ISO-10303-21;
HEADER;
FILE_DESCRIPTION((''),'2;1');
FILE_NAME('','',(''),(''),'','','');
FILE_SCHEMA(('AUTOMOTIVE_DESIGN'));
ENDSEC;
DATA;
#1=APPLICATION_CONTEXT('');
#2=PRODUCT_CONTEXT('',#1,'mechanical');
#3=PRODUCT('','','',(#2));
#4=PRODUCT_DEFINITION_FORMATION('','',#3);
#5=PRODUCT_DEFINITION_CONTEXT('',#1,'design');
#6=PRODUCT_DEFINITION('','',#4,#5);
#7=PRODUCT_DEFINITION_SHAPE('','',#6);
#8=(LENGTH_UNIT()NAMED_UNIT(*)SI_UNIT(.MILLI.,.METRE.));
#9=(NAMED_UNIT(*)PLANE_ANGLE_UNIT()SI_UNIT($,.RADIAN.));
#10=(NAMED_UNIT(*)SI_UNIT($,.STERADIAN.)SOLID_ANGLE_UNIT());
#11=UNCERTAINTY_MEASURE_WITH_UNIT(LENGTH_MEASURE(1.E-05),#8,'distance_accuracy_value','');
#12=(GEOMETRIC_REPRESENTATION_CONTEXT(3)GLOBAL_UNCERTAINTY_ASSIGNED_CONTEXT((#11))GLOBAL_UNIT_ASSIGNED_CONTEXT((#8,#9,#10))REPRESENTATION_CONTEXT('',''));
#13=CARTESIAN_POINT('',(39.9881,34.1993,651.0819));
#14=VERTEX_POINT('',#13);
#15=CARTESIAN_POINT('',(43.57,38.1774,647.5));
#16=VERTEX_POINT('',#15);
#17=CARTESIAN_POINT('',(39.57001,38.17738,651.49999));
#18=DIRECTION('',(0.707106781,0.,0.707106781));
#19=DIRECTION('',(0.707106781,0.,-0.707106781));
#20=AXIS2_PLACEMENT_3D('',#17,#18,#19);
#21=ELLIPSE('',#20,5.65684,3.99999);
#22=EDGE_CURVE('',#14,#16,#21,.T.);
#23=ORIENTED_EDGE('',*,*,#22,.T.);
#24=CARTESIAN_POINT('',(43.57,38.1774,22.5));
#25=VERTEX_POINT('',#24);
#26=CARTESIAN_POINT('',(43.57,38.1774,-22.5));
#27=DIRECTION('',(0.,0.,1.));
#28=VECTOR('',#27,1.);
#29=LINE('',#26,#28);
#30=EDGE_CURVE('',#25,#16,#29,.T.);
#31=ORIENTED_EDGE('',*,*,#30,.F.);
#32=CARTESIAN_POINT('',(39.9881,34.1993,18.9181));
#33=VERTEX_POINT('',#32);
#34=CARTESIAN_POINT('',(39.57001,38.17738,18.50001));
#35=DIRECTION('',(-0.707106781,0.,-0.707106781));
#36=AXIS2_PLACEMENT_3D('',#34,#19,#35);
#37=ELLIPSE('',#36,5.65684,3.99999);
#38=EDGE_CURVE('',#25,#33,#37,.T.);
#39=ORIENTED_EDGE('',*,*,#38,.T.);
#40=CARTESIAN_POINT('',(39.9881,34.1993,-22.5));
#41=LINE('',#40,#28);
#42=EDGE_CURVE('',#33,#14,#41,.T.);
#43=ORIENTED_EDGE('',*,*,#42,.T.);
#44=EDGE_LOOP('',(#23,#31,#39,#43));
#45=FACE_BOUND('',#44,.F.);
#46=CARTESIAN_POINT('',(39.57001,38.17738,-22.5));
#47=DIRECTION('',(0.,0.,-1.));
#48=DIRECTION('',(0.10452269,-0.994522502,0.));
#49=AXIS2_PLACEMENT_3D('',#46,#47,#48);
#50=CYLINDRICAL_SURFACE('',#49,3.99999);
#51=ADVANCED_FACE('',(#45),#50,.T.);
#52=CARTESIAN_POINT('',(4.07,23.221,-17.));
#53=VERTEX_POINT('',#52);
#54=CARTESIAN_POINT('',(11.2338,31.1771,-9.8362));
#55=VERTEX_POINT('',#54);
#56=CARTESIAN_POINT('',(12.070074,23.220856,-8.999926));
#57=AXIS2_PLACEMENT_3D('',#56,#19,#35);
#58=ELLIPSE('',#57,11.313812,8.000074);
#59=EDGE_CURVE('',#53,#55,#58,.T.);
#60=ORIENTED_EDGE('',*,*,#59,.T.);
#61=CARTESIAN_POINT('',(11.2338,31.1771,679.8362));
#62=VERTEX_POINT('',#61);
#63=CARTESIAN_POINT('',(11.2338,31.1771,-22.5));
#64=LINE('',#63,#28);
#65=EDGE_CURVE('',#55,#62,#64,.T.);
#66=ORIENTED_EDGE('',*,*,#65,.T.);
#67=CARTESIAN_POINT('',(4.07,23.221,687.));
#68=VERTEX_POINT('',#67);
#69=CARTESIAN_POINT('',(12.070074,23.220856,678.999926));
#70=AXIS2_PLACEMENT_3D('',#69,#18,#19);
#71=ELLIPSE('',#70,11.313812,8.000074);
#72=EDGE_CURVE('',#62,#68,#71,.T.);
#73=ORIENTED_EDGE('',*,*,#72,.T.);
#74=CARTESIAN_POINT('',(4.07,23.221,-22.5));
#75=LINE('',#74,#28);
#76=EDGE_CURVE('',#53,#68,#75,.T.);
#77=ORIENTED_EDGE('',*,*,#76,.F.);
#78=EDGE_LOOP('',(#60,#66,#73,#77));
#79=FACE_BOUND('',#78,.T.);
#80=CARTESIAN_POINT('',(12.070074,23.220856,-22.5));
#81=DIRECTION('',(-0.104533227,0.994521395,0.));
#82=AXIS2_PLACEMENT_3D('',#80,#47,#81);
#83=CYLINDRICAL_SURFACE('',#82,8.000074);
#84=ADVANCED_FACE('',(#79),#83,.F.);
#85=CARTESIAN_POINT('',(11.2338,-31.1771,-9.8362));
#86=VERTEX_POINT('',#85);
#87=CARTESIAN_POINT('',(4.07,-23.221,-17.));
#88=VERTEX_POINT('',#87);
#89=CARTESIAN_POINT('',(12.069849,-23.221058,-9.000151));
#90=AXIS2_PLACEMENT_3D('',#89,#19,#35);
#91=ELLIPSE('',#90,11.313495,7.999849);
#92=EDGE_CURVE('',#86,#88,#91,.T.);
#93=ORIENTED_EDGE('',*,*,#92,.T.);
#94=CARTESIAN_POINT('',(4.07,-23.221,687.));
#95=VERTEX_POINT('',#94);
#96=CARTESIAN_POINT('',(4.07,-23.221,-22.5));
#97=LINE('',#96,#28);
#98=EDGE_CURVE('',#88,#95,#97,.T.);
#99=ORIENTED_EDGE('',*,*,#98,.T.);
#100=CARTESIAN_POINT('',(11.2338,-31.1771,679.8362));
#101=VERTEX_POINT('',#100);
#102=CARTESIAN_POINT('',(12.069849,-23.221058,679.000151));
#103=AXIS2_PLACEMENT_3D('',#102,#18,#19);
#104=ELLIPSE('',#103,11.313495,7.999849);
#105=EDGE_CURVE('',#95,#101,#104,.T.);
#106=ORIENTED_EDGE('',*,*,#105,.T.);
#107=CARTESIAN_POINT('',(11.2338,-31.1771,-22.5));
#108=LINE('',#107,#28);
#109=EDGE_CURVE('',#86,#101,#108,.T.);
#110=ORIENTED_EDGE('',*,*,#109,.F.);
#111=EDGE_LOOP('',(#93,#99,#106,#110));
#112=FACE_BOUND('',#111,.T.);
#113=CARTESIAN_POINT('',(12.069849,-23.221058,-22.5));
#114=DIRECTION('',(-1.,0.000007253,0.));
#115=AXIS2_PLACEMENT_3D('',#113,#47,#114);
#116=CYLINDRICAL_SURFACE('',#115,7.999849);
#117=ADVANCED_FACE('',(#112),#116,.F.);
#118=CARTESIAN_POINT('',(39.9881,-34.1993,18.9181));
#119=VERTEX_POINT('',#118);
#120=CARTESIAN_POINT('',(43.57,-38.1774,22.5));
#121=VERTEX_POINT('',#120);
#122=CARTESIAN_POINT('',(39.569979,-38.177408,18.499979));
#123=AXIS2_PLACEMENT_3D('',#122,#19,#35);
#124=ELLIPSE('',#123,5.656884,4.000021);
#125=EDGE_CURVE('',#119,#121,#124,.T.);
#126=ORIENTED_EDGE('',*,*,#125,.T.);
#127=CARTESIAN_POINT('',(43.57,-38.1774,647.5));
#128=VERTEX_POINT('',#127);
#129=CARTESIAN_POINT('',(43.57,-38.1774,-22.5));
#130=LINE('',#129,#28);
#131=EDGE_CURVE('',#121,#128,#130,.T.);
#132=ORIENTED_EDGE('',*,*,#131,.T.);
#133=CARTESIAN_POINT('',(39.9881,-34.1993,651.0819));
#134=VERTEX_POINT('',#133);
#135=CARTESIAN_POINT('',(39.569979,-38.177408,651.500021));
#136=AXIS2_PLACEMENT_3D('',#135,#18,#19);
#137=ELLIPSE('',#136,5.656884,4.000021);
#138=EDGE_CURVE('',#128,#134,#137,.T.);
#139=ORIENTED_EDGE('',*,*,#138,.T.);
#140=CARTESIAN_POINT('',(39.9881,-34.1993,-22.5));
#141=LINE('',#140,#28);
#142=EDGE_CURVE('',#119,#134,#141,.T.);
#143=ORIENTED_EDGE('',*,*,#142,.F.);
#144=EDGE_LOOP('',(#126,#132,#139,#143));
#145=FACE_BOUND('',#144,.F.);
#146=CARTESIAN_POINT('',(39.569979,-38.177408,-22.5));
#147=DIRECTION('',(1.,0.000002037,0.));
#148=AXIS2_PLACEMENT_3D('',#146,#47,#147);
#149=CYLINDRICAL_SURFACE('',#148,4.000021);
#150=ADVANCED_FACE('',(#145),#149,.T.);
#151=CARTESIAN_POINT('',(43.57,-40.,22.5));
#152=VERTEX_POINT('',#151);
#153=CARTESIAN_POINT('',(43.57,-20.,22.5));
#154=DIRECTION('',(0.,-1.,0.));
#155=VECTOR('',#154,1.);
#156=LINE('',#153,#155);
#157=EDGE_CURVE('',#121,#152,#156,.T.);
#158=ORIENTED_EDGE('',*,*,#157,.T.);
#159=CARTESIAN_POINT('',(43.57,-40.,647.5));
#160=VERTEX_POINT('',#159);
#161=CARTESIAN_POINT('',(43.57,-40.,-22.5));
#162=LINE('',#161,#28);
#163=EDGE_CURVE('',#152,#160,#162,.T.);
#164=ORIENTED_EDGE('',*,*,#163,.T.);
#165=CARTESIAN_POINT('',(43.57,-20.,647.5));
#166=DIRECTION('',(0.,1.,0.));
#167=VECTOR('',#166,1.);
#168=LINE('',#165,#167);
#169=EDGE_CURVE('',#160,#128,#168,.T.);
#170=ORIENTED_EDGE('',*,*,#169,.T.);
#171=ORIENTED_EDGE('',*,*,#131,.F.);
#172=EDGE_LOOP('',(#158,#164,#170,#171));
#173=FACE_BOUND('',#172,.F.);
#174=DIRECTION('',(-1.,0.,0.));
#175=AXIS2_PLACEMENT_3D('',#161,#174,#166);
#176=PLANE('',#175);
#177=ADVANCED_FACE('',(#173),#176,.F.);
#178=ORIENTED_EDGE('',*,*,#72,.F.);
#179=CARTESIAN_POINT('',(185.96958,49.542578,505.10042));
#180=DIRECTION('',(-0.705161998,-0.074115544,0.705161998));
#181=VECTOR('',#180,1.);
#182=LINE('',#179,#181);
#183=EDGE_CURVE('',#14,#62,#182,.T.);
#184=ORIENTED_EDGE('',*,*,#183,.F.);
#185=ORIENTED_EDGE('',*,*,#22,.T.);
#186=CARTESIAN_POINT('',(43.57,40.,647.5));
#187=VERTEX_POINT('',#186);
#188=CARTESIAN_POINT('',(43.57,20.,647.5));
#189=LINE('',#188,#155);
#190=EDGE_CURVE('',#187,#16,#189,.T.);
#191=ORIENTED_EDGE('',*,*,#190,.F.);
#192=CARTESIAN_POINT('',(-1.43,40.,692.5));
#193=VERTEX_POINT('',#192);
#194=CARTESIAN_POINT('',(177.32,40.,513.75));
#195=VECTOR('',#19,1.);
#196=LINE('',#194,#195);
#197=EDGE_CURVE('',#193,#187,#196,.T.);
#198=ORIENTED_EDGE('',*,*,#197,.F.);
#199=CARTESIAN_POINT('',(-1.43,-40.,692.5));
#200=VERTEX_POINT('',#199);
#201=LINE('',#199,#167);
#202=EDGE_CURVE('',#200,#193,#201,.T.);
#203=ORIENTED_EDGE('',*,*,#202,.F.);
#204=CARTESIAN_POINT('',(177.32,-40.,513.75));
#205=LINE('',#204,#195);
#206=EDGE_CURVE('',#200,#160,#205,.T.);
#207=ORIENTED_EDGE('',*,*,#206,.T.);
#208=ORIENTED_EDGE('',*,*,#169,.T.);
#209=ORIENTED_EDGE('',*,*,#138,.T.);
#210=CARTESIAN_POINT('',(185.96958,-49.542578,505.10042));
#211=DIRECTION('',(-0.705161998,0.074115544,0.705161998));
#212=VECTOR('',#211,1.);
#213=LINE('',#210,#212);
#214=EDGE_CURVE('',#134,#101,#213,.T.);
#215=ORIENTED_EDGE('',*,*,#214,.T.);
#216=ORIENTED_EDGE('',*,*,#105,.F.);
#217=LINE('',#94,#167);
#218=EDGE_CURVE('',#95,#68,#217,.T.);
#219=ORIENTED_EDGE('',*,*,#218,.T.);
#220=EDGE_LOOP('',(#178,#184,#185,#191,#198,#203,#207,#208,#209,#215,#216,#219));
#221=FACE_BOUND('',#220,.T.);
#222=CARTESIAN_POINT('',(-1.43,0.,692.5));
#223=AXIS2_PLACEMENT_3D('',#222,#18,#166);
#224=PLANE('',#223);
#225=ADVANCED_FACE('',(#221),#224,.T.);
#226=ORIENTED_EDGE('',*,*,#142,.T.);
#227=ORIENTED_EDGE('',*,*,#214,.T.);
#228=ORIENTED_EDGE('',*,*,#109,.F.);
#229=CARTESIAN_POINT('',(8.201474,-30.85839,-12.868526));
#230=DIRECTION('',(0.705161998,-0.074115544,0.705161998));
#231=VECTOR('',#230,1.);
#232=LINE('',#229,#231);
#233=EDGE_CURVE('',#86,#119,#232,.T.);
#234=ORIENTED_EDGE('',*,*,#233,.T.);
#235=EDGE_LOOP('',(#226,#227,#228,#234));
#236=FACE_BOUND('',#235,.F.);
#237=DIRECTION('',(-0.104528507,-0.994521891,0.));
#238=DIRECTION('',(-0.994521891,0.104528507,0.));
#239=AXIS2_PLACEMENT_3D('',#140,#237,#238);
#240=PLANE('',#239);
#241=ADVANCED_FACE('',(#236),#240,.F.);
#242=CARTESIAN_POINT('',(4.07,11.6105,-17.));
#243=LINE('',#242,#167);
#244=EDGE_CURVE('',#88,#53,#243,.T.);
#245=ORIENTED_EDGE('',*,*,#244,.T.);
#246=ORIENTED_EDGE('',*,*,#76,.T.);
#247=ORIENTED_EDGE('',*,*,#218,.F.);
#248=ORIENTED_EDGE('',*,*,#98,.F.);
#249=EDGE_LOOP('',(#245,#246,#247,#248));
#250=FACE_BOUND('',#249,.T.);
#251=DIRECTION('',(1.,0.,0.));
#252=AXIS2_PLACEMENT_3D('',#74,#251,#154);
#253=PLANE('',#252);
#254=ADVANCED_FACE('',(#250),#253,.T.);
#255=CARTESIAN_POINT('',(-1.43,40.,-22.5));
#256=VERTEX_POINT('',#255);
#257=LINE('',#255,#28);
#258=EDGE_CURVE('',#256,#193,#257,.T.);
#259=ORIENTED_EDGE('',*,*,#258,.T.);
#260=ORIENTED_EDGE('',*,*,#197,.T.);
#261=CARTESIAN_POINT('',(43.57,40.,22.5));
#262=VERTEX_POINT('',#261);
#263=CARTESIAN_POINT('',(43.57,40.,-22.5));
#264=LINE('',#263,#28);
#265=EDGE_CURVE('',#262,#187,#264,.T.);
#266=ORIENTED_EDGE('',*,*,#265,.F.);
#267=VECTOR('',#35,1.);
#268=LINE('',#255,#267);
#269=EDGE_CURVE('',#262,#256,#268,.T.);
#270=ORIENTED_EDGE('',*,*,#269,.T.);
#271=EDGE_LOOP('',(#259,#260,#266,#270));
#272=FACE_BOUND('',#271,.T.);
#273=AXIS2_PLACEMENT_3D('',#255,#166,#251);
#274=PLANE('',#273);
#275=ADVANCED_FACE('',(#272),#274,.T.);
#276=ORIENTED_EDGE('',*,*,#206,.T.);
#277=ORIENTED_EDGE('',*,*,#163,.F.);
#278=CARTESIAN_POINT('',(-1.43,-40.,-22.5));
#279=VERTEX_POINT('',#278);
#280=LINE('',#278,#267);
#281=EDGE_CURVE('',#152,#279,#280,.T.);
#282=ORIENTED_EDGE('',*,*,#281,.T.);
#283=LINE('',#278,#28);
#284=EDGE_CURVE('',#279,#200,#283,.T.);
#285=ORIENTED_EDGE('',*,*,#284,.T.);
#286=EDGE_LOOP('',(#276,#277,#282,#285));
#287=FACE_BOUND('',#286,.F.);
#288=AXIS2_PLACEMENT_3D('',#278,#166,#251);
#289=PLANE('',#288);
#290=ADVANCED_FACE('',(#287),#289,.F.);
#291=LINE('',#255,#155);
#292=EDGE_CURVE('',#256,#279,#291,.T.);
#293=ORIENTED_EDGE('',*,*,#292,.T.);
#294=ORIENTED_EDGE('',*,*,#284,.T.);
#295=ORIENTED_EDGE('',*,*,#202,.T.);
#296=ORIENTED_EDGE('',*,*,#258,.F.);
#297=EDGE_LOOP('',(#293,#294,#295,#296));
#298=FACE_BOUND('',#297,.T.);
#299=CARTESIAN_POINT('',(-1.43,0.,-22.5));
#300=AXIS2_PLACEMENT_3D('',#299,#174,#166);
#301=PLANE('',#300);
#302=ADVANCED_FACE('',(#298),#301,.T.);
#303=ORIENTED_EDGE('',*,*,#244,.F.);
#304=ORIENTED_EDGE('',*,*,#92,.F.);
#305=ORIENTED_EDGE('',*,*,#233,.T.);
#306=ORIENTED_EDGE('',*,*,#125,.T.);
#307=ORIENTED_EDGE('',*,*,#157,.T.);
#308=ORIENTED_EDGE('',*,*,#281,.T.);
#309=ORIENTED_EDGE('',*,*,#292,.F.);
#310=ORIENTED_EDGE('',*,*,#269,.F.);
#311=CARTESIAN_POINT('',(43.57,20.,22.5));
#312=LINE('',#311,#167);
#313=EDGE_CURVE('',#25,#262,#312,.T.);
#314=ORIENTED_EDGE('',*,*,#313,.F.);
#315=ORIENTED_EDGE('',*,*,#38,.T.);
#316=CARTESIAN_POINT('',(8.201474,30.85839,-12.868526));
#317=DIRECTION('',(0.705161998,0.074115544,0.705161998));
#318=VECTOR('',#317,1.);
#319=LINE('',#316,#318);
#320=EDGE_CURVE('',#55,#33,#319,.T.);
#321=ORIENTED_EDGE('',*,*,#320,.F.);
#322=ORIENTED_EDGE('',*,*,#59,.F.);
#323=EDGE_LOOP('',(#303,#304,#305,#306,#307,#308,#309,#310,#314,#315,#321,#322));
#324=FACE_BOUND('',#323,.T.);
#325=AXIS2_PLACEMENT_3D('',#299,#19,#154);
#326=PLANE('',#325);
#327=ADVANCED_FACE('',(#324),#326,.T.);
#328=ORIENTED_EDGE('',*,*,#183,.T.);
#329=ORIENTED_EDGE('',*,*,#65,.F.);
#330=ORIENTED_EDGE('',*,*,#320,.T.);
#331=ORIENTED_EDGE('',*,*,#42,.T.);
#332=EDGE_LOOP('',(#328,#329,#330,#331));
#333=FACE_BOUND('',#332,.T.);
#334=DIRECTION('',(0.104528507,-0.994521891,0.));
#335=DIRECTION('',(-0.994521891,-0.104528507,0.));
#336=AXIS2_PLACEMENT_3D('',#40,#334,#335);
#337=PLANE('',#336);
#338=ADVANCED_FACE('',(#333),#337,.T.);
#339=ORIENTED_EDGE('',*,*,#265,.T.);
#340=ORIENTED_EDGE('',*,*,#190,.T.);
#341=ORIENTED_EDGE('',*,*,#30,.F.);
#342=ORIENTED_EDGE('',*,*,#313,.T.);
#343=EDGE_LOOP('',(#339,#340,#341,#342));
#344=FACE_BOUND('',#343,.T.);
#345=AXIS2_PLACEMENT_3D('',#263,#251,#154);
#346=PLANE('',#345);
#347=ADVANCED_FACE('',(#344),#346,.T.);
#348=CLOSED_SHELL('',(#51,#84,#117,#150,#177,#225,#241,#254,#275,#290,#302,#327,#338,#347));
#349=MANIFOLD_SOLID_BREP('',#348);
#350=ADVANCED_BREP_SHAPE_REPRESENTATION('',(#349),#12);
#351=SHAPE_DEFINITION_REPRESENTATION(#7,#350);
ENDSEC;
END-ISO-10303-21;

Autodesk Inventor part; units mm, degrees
ref_plane "Начальная плоскость" through (0, 0, -22.5) normal (0, 0, 1) x (1, 0, 0)
ref_plane "Конечная плоскость" through (0, 0, 692.5) normal (0, 0, 1) x (1, 0, 0)
sketch "Эскиз" plane through (0, 0, 0) normal (0, 0, 1) x (1, 0, 0)
  line L0 (-1.43, 0) -> (-1.43, 40)
  line L1 (-1.43, 40) -> (43.57, 40)
  line L2 (43.57, 40) -> (43.57, 38.1774)
  line L3 (39.9881, 34.1993) -> (11.2338, 31.1771)
  line L4 (4.07, 23.221) -> (4.07, 0)
  line L5 (4.07, 0) -> (-1.43, 0) construction
  line L6 (23.82, 40) -> (23.82, 32.5) construction
  line L7 (43.57, 34.5758) -> (43.57, 32.5) construction
  line L8 (43.57, 32.5) -> (23.82, 32.5) construction
  line L9 (0, 15) -> (0, -27) construction
  line L10 (-5.539, 0) -> (16.0067, 0) construction
  line L11 (-1.43, 0) -> (-1.43, -40)
  line L12 (-1.43, -40) -> (43.57, -40)
  line L13 (43.57, -40) -> (43.57, -38.1774)
  line L14 (39.9881, -34.1993) -> (11.2338, -31.1771)
  line L15 (4.07, -23.221) -> (4.07, 0)
  arc A0 (11.2338, 31.1771) -> (4.07, 23.221) centre (12.07, 23.221) ccw
  arc A1 (4.07, -23.221) -> (11.2338, -31.1771) centre (12.07, -23.221) ccw
  arc A2 (39.9881, 34.1993) -> (43.57, 38.1774) centre (39.57, 38.1774) ccw
  arc A3 (43.57, -38.1774) -> (39.9881, -34.1993) centre (39.57, -38.1774) ccw
  line L16 (0, 56) -> (0, -56) construction
  line L17 (-15.5135, 0) -> (54.308, 0) construction
  point P0 (4.07, 30.4242)
  point P1 (43.57, -34.5758)
  point P2 (4.07, -30.4242)
  point P3 (23.82, -40)
  point P4 (23.82, -32.5)
  dimension "d0" = 5.5
  dimension "d1" = 40
  dimension "d2" = 45
  dimension "d3" = 7.5
  dimension "d4" = 19.75
  dimension "d5" = 2.0758
  dimension "d23" = 8
  dimension "d24" = 4
  dimension "d25" = 1.43
extrude "Тело" add sketch "Эскиз" along normal up to surface (715 mm away) from surface at -22.5
sketch "Sketch3" plane through (0, 0, 0) normal (0, 0, 1) x (1, 0, 0)
  line L0 (0, 0) -> (10, 0)
ref_plane "Work Plane3" through (0, 0, 0) normal (0, -1, 0) x (1, 0, 0)
sketch "Sketch4" plane through (0, 0, 0) normal (0, -1, 0) x (1, 0, 0)
  line L0 (-2, -22.5) -> (12, -22.5)
  line L1 (-2, 692.5) -> (12, 692.5)
  dimension "d29" = 715
ref_plane "РабПлоскость4" through (-1.43, 0, 692.5) normal (0.7071, 0, 0.7071) x (0.7071, 0, -0.7071)
split "Разделение1" plane through (-1.43, 0, 692.5) removes the side toward (0.7071, 0, 0.7071)
ref_plane "РабПлоскость5" through (-1.43, 0, -22.5) normal (0.7071, 0, -0.7071) x (-0.7071, 0, -0.7071)
split "Разделение2" plane through (-1.43, 0, -22.5) removes the side toward (0.7071, 0, -0.7071)
equation "\"d0\" = G_T"
equation "\"d1\" = 0.5 * G_H"
equation "\"d2\" = G_W"
equation "\"d3\" = G_T1"
equation "\"d4\" = G_C"
equation "\"d23\" = G_IR"
equation "\"d24\" = G_ER"
equation "\"d25\" = ex"
equation "\"d6\" = G_L"
equation "\"G_W\" = 45"
equation "\"G_T\" = 5.5"
equation "\"G_T1\" = 7.5"
equation "\"G_NG\" = 0.105104"
equation "\"G_ER\" = 4"
equation "\"G_IR\" = 8"
equation "\"G_C\" = 19.75"
equation "\"G_L\" = d29"
equation "\"ex\" = 1.43"
equation "\"G_OFFSET_START\" = 22.5"
equation "\"G_OFFSET_END\" = 22.5"
equation "\"d26\" = -G_OFFSET_START"
equation "\"d27\" = G_OFFSET_END + B_L"
equation "\"G_H\" = 80"
equation "\"B_L\" = 670"
properties part number "ISO 657/11 - CH 80 x 8 - 715" material "Сталь, мягкая"
